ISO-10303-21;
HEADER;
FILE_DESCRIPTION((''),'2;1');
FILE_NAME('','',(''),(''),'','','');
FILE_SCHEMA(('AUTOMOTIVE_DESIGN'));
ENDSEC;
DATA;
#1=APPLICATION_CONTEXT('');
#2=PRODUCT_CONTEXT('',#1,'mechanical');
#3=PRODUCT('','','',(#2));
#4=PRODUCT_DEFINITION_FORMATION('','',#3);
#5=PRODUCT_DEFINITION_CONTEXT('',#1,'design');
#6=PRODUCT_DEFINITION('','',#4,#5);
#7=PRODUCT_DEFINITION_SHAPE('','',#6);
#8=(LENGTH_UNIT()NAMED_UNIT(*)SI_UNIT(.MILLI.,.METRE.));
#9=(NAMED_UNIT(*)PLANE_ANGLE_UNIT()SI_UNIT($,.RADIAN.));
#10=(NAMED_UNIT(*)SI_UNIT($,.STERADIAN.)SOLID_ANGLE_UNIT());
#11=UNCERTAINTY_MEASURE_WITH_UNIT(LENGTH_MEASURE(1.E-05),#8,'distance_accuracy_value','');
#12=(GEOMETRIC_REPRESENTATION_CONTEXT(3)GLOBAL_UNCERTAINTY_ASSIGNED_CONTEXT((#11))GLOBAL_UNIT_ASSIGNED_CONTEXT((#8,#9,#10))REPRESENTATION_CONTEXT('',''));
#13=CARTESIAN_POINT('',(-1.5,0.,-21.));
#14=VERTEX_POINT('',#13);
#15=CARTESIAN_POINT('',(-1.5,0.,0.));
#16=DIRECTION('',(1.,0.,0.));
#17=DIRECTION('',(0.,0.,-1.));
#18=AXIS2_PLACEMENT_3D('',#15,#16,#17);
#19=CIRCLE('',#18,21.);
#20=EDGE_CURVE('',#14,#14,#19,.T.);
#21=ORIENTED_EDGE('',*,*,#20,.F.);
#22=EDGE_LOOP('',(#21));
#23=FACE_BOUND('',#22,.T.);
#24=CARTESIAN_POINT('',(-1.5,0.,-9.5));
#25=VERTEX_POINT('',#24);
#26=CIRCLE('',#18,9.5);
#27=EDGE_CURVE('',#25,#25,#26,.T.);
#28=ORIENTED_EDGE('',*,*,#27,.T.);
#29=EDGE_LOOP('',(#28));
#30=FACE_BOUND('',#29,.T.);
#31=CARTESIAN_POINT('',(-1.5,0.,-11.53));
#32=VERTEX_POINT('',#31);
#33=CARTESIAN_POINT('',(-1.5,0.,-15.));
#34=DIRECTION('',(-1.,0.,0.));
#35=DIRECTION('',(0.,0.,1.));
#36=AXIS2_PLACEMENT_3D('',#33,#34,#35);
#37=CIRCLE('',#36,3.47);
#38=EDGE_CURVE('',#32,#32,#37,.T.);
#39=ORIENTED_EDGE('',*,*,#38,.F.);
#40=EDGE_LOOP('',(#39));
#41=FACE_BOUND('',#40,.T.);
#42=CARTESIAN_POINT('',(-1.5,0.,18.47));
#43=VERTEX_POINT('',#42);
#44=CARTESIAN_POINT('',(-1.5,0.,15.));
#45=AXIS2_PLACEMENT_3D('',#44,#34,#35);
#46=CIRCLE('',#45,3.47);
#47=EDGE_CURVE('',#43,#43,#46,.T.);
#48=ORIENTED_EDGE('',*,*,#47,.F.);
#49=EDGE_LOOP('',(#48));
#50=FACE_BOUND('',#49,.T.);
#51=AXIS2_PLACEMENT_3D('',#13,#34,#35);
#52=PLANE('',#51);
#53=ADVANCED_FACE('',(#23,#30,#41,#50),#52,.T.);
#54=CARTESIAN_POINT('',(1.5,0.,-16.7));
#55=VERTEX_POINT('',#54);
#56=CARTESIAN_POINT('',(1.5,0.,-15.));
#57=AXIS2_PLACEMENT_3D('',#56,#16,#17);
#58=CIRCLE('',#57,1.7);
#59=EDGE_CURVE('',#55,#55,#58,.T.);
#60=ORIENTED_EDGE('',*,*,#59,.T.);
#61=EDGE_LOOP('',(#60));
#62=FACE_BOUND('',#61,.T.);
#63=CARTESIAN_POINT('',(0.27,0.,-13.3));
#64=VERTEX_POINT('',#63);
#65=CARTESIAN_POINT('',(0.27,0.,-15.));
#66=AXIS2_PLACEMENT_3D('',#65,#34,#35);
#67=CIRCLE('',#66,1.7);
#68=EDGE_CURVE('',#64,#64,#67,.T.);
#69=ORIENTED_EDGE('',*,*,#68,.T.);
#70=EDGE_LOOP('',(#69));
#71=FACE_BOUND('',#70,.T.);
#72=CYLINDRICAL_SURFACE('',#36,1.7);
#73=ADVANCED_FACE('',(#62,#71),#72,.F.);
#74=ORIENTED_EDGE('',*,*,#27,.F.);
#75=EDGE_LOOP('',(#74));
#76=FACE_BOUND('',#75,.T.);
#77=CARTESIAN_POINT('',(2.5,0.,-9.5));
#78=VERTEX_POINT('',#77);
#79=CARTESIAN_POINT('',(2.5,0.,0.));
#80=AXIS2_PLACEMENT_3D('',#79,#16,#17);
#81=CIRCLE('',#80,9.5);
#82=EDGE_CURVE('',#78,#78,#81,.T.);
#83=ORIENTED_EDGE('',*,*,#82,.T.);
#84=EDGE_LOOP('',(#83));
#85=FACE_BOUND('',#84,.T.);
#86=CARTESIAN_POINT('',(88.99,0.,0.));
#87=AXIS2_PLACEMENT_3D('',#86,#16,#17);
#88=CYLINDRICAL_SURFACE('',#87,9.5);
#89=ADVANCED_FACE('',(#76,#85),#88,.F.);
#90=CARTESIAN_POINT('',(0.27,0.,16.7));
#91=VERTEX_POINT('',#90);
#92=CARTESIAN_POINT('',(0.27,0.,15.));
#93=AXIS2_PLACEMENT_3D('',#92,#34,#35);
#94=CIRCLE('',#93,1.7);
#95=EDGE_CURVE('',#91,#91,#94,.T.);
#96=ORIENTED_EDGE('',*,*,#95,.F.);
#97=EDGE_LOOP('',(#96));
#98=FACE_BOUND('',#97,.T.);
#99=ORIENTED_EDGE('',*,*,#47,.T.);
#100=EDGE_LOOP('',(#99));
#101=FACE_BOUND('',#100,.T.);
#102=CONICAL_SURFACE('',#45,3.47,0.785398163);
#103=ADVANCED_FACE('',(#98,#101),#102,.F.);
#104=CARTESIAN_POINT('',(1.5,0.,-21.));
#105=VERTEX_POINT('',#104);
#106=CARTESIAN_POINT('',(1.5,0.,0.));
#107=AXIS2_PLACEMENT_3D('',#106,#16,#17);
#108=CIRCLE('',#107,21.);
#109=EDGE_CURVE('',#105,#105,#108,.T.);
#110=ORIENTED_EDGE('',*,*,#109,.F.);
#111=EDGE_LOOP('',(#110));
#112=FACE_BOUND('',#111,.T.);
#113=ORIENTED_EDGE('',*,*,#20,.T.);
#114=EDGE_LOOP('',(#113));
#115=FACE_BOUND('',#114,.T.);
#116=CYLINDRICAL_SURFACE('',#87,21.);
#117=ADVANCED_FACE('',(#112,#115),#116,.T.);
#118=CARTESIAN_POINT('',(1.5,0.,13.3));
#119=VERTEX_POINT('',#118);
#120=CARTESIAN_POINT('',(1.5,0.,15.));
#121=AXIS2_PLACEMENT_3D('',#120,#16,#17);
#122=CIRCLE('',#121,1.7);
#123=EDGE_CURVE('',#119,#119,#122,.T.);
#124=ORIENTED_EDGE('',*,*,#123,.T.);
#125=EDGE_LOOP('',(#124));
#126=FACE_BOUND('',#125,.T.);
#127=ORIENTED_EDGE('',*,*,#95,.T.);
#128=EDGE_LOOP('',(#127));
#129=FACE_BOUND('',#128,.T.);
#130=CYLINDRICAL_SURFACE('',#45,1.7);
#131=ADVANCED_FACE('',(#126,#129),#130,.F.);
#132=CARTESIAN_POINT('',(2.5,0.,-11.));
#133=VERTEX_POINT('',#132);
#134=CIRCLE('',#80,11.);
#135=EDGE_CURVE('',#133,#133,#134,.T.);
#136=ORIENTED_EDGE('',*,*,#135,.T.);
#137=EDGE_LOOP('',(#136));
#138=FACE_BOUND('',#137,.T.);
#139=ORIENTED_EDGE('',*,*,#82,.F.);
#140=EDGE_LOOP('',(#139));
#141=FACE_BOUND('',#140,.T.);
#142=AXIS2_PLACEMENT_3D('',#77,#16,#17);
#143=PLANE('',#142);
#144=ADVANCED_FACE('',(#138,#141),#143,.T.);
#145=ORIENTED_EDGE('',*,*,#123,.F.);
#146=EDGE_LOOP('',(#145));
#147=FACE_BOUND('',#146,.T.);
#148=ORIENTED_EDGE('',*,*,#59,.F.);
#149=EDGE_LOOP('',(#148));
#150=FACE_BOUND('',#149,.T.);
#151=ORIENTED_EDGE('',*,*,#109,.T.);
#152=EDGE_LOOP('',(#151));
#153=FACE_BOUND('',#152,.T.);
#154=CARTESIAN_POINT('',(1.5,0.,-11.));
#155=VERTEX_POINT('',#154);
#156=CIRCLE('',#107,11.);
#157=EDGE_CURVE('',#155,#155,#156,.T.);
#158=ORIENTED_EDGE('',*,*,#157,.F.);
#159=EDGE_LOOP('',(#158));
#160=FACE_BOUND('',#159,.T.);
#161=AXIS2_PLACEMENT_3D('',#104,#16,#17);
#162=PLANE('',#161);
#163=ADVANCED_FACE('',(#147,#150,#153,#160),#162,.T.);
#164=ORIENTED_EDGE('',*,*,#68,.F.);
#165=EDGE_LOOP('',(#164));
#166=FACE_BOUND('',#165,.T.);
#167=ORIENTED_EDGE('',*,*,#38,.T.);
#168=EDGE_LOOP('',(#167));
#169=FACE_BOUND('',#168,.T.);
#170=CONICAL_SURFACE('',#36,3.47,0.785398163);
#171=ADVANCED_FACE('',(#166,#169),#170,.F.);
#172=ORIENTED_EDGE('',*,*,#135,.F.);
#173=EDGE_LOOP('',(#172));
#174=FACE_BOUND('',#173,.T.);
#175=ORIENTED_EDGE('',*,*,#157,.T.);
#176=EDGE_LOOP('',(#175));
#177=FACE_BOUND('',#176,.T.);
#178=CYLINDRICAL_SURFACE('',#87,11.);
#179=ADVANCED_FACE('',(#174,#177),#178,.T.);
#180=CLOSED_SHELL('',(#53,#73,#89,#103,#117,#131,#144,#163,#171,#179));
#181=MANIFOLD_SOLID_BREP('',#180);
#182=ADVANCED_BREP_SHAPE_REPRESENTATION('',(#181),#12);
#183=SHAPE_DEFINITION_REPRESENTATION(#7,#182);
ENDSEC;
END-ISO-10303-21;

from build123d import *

# Parameters (mm, degrees)
CSK_FOR_M3_HEX_SOCKET_COUNTERSUNK_HE_2_COUNT = 2
CSK_FOR_M3_HEX_SOCKET_COUNTERSUNK_HE_2_PITCH = 30


with BuildPart() as part:
    # Sketch1 → Revolve1 (revolve)
    with BuildSketch(Plane(origin=(0, 0, 0), x_dir=(1, 0, 0), z_dir=(0, 1, 0))):
        Polygon((-1.5, 21), (1.5, 21), (1.5, 11), (2.5, 11), (2.5, 9.5), (-1.5, 9.5), align=None)
    revolve(axis=Axis((88.99, 0, 0), (-1, 0, 0)))

    # Sketch3 → CSK for M3 Hex Socket Countersunk Head Screw1 (revolve, cut)
    with BuildSketch(Plane(origin=(-1.5, 0, 15), x_dir=(0, 0, 1), z_dir=(0, 1, 0))):
        Polygon((0, 0), (0, 3), (1.7, 3), (1.7, 1.77), (3.47, 0), align=None)
    csk_for_m3_hex_socket_countersunk_head_s = revolve(axis=Axis((-7.85, 0, 15), (1, 0, 0)), mode=Mode.SUBTRACT)

    # CSK for M3 Hex Socket Countersunk He 2: CSK for M3 Hex Socket Countersunk Head Screw1 ×2
    with Locations(*[(0, 0, -i * CSK_FOR_M3_HEX_SOCKET_COUNTERSUNK_HE_2_PITCH) for i in range(1, CSK_FOR_M3_HEX_SOCKET_COUNTERSUNK_HE_2_COUNT)]):
        add(csk_for_m3_hex_socket_countersunk_head_s, mode=Mode.SUBTRACT)


solid = part.part
